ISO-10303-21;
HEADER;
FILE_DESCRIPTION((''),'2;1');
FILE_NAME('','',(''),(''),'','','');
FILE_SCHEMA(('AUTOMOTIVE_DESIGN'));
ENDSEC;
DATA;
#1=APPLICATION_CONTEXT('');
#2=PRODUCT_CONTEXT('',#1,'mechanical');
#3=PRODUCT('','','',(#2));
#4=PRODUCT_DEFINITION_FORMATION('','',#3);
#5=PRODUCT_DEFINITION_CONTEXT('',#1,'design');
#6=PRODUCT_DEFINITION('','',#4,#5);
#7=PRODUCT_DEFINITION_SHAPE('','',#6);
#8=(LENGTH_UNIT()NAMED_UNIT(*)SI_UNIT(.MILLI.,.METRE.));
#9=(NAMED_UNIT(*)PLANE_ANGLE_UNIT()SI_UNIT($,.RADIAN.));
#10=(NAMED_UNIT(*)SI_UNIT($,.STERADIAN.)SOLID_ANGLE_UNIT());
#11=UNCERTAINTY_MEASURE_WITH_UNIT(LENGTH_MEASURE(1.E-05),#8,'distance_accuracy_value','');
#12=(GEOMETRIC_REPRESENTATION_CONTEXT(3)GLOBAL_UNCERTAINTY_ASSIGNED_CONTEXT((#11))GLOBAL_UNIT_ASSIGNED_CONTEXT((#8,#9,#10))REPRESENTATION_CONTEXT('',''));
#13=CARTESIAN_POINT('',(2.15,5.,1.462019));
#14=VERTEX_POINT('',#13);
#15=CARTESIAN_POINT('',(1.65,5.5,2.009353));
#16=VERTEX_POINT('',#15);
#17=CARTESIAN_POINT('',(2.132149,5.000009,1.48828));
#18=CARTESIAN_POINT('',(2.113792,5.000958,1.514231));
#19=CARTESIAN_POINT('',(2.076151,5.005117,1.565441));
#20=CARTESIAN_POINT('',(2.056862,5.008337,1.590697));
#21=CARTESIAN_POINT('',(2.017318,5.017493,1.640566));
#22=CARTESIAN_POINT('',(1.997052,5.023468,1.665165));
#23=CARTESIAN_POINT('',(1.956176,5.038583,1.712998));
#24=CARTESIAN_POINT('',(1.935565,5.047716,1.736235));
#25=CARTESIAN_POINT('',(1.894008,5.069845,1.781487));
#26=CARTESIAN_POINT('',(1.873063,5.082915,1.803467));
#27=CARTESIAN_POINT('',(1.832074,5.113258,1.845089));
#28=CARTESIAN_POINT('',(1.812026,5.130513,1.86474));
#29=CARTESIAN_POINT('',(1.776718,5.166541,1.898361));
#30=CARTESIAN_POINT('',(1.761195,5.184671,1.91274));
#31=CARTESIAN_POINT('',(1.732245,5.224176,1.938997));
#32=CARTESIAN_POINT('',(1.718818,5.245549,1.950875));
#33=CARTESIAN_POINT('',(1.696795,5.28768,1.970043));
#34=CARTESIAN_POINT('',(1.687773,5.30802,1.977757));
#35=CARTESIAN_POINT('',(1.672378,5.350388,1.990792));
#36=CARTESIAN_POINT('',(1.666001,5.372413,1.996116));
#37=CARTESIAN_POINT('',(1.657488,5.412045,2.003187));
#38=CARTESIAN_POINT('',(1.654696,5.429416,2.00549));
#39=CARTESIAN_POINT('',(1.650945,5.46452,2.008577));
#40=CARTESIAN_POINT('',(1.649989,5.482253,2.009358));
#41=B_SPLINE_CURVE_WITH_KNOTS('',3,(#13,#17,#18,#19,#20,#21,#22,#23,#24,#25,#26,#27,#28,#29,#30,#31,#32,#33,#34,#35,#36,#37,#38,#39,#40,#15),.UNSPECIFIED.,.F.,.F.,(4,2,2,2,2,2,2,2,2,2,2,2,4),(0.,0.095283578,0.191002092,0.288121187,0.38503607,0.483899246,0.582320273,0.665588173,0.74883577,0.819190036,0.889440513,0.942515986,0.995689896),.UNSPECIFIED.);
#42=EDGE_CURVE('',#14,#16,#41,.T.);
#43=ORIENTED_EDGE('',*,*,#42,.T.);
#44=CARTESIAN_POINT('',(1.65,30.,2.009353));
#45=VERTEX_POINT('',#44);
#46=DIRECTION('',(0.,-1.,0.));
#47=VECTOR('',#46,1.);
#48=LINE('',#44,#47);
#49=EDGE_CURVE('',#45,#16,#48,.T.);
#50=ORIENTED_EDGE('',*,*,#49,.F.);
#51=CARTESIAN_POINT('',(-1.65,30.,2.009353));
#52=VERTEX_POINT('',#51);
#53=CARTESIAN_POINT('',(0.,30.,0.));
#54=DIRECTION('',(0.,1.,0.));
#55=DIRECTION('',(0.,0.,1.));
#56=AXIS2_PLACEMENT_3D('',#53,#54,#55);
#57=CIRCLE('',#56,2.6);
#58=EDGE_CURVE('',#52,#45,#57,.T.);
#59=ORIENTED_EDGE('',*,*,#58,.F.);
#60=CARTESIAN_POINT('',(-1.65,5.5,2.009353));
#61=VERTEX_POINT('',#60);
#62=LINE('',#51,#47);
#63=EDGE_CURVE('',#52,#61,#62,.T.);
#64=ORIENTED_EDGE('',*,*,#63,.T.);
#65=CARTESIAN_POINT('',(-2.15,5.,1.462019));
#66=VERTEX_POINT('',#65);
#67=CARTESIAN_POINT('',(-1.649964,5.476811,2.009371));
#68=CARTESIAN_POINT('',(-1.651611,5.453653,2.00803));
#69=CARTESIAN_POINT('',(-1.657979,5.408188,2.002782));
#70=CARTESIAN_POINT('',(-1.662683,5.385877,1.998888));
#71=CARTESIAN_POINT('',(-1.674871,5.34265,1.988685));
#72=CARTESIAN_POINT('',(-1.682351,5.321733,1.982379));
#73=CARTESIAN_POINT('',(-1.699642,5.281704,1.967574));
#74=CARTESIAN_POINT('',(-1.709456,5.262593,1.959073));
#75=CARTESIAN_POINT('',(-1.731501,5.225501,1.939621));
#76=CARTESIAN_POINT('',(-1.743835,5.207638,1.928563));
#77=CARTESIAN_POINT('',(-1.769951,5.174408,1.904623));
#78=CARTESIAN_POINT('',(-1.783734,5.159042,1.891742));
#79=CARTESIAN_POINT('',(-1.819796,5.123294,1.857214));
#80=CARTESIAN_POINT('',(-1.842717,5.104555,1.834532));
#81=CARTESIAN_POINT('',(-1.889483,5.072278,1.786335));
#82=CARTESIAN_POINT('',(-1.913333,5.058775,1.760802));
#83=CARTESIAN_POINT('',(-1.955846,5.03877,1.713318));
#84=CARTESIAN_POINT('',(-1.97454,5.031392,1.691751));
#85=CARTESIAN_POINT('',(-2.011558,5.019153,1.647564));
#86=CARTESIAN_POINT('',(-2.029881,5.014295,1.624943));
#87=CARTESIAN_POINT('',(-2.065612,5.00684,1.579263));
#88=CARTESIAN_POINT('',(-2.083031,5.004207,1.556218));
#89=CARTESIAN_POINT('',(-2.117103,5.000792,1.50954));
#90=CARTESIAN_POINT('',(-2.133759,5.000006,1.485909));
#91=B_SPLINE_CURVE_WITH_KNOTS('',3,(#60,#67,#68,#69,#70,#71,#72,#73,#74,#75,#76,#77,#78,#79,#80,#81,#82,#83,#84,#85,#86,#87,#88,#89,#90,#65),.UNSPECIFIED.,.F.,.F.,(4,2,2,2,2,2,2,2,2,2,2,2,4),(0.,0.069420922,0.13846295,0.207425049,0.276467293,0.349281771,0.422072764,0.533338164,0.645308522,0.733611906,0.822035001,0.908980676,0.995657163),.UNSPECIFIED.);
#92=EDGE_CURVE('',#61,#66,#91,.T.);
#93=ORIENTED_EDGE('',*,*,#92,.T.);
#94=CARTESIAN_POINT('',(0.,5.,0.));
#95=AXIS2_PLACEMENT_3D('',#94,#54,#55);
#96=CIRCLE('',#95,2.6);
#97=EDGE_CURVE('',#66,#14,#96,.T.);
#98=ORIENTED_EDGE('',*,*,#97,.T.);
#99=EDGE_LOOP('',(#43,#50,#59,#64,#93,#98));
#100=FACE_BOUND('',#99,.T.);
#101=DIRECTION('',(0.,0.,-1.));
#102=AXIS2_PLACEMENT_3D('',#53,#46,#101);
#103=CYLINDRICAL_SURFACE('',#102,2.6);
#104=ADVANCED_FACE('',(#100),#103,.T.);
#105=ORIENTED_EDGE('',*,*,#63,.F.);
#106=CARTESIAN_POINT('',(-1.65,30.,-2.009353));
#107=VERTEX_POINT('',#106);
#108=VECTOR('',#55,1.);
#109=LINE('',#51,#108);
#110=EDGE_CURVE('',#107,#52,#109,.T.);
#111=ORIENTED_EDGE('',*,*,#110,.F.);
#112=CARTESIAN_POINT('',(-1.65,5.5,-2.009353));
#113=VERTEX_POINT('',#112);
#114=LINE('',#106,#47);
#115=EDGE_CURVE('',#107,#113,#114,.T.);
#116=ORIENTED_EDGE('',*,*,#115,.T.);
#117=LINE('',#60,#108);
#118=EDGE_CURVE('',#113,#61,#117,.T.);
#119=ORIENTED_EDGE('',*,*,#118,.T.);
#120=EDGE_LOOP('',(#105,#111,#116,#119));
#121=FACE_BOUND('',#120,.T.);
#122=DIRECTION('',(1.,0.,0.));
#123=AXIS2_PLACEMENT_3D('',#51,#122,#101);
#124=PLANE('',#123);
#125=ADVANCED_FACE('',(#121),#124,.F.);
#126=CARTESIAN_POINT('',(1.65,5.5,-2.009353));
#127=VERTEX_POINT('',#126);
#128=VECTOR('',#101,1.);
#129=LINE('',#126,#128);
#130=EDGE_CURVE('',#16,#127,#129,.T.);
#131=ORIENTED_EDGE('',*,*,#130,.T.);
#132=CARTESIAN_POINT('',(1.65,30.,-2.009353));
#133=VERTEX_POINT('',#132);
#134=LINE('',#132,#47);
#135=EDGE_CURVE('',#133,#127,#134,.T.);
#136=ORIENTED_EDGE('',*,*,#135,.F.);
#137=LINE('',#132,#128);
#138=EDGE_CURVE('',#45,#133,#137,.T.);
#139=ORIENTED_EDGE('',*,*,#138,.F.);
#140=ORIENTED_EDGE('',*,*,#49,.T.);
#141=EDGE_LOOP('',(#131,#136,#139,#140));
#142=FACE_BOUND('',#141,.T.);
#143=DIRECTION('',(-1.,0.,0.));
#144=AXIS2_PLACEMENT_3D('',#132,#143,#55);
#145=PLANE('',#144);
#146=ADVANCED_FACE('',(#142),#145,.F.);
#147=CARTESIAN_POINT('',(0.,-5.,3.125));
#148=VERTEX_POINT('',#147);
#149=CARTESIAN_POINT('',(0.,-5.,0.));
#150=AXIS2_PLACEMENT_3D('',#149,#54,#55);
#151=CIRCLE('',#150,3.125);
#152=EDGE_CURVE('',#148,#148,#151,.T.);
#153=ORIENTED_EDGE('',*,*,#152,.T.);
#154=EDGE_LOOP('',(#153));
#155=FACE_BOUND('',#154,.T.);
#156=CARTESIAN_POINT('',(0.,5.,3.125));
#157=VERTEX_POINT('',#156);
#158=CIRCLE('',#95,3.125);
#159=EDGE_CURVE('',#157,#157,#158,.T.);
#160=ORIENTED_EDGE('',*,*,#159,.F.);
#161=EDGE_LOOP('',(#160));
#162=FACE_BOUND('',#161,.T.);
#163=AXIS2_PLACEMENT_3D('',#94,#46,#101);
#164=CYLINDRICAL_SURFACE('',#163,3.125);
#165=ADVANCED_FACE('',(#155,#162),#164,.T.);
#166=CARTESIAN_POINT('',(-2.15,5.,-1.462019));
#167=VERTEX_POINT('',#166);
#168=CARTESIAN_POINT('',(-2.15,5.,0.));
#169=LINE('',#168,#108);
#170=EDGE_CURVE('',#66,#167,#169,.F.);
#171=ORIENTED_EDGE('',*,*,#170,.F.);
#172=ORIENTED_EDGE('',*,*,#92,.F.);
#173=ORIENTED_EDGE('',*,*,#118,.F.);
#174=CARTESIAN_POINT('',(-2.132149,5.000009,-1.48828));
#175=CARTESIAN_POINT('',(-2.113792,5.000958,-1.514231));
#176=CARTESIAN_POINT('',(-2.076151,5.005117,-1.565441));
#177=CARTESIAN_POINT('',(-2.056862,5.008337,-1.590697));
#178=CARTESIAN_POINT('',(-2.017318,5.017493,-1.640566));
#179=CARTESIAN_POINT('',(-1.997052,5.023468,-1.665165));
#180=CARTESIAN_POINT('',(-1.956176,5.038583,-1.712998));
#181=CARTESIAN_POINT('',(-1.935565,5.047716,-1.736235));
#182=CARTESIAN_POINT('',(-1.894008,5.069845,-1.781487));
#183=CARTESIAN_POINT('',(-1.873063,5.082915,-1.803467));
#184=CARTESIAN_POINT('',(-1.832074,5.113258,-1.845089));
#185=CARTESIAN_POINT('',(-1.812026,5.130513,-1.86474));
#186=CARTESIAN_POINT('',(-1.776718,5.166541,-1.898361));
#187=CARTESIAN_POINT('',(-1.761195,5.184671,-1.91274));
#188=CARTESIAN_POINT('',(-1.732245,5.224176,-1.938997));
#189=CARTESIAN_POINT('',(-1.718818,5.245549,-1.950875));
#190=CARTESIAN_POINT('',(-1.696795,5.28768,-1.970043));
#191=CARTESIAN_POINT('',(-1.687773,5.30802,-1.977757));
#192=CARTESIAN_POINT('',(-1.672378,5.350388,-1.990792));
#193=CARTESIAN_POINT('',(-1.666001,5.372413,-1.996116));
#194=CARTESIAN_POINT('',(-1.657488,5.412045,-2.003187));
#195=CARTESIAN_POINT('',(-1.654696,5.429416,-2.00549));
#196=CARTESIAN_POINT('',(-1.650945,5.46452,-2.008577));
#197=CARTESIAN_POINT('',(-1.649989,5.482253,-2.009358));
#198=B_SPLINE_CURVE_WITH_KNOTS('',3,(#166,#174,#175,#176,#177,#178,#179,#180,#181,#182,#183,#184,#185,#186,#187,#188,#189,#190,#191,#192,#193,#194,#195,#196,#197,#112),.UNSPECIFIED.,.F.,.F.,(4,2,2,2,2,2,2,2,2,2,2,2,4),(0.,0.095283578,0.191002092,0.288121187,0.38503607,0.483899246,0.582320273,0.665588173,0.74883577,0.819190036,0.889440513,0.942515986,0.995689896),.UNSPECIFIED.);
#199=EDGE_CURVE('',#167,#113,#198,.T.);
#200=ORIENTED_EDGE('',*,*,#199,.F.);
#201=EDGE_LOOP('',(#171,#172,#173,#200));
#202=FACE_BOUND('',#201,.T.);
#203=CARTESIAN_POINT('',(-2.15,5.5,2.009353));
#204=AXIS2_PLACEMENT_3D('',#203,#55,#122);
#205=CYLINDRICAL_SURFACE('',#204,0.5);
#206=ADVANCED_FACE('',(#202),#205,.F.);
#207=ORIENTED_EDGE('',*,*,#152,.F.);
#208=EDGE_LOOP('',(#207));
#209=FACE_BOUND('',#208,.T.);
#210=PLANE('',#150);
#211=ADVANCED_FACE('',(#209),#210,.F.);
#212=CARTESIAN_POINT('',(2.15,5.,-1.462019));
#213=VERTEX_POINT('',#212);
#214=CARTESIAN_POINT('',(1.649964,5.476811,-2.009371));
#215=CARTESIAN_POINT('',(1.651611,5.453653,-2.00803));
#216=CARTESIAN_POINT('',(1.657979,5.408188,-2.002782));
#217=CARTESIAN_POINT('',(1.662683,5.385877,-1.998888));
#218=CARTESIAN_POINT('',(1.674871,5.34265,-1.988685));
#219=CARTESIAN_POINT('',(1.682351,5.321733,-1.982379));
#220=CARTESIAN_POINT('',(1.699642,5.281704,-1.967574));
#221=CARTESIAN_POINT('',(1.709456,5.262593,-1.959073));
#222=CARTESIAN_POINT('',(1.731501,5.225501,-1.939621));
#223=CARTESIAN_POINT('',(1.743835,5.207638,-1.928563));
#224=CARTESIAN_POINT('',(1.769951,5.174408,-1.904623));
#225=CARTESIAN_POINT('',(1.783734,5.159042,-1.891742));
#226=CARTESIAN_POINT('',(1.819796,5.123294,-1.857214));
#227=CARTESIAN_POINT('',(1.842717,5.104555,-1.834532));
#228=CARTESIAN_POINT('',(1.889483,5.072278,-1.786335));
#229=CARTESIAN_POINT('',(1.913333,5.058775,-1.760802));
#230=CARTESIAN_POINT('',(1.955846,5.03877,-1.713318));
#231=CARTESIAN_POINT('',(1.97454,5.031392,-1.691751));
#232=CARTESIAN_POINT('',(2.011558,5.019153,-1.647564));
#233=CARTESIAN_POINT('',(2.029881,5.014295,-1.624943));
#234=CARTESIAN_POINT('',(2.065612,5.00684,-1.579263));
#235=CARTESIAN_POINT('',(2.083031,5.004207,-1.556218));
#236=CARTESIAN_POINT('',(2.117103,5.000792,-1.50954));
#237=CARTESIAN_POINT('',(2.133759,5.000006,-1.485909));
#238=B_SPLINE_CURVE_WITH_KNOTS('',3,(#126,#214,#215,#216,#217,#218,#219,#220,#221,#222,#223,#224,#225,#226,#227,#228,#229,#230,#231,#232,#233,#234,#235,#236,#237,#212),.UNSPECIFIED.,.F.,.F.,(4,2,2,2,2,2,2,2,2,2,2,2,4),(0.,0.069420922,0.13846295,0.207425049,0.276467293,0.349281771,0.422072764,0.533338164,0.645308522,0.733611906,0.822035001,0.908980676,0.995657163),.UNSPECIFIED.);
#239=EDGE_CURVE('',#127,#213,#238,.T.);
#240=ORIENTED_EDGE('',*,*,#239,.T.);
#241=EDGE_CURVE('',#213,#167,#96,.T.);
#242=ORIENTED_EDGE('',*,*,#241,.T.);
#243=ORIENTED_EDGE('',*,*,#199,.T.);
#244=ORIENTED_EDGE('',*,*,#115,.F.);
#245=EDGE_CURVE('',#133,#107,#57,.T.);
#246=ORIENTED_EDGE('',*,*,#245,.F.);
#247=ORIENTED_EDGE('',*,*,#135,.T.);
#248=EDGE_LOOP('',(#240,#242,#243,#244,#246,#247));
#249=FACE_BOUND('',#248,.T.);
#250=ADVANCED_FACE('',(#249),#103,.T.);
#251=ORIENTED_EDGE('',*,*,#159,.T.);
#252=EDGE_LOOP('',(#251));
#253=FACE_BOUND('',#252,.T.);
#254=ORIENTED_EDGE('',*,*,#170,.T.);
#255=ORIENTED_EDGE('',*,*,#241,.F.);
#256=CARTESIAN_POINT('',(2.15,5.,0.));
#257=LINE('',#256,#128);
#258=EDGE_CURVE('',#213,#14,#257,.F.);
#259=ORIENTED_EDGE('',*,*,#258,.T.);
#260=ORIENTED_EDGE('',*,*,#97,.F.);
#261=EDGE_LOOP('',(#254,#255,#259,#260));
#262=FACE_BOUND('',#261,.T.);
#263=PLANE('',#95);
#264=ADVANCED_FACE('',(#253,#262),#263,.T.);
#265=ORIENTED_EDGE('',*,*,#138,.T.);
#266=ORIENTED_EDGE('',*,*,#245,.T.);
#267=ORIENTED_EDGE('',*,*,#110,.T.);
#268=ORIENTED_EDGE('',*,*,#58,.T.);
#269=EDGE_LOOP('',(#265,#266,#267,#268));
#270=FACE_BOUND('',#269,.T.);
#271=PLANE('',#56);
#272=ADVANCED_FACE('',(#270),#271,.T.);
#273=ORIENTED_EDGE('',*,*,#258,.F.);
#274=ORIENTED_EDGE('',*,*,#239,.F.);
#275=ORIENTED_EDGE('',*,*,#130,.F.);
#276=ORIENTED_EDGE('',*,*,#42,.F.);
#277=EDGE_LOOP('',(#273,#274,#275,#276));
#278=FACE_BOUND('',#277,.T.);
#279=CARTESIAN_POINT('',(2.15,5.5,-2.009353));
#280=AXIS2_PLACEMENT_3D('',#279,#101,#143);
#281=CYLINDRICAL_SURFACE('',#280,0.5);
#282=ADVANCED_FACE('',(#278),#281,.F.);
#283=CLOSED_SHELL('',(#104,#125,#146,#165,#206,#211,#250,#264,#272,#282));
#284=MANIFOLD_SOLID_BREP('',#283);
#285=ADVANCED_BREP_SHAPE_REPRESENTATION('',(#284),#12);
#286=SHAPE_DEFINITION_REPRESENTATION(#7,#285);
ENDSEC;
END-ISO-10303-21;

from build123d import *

# Parameters (mm, degrees)
SKETCH1_R           = 3.125
BOSS_EXTRUDE1_DEPTH = 5
BOSS_EXTRUDE2_DEPTH = 25
FILLET1_R           = 0.5


with BuildPart() as part:
    # Sketch1 → Boss-Extrude1 (new, symmetric)
    with BuildSketch(Plane(origin=(0, 0, 0), x_dir=(1, 0, 0), z_dir=(0, 1, 0))):
        with Locations(Location((0, 0, 0), (0, 0, 270))):
            Circle(SKETCH1_R)
    extrude(amount=BOSS_EXTRUDE1_DEPTH, both=True)

    # Sketch2 → Boss-Extrude2 (add)
    with BuildSketch(Plane(origin=(0, 5, 0), x_dir=(1, 0, 0), z_dir=(0, 1, 0))):
        with BuildLine():
            Line((-1.65, -2.00935313), (-1.65, 2.00935313))
            ThreePointArc((-1.65, 2.00935313), (0, 2.6), (1.65, 2.00935313))
            Line((1.65, 2.00935313), (1.65, -2.00935313))
            ThreePointArc((1.65, -2.00935313), (0, -2.6), (-1.65, -2.00935313))
        make_face()
    extrude(amount=BOSS_EXTRUDE2_DEPTH)

    # Fillet1
    fillet1_edges = [part.edges().sort_by_distance(p)[0] for p in [
        (1.65, 5, 0),
        (-1.65, 5, 0),
    ]]
    fillet(fillet1_edges, radius=FILLET1_R)


solid = part.part
